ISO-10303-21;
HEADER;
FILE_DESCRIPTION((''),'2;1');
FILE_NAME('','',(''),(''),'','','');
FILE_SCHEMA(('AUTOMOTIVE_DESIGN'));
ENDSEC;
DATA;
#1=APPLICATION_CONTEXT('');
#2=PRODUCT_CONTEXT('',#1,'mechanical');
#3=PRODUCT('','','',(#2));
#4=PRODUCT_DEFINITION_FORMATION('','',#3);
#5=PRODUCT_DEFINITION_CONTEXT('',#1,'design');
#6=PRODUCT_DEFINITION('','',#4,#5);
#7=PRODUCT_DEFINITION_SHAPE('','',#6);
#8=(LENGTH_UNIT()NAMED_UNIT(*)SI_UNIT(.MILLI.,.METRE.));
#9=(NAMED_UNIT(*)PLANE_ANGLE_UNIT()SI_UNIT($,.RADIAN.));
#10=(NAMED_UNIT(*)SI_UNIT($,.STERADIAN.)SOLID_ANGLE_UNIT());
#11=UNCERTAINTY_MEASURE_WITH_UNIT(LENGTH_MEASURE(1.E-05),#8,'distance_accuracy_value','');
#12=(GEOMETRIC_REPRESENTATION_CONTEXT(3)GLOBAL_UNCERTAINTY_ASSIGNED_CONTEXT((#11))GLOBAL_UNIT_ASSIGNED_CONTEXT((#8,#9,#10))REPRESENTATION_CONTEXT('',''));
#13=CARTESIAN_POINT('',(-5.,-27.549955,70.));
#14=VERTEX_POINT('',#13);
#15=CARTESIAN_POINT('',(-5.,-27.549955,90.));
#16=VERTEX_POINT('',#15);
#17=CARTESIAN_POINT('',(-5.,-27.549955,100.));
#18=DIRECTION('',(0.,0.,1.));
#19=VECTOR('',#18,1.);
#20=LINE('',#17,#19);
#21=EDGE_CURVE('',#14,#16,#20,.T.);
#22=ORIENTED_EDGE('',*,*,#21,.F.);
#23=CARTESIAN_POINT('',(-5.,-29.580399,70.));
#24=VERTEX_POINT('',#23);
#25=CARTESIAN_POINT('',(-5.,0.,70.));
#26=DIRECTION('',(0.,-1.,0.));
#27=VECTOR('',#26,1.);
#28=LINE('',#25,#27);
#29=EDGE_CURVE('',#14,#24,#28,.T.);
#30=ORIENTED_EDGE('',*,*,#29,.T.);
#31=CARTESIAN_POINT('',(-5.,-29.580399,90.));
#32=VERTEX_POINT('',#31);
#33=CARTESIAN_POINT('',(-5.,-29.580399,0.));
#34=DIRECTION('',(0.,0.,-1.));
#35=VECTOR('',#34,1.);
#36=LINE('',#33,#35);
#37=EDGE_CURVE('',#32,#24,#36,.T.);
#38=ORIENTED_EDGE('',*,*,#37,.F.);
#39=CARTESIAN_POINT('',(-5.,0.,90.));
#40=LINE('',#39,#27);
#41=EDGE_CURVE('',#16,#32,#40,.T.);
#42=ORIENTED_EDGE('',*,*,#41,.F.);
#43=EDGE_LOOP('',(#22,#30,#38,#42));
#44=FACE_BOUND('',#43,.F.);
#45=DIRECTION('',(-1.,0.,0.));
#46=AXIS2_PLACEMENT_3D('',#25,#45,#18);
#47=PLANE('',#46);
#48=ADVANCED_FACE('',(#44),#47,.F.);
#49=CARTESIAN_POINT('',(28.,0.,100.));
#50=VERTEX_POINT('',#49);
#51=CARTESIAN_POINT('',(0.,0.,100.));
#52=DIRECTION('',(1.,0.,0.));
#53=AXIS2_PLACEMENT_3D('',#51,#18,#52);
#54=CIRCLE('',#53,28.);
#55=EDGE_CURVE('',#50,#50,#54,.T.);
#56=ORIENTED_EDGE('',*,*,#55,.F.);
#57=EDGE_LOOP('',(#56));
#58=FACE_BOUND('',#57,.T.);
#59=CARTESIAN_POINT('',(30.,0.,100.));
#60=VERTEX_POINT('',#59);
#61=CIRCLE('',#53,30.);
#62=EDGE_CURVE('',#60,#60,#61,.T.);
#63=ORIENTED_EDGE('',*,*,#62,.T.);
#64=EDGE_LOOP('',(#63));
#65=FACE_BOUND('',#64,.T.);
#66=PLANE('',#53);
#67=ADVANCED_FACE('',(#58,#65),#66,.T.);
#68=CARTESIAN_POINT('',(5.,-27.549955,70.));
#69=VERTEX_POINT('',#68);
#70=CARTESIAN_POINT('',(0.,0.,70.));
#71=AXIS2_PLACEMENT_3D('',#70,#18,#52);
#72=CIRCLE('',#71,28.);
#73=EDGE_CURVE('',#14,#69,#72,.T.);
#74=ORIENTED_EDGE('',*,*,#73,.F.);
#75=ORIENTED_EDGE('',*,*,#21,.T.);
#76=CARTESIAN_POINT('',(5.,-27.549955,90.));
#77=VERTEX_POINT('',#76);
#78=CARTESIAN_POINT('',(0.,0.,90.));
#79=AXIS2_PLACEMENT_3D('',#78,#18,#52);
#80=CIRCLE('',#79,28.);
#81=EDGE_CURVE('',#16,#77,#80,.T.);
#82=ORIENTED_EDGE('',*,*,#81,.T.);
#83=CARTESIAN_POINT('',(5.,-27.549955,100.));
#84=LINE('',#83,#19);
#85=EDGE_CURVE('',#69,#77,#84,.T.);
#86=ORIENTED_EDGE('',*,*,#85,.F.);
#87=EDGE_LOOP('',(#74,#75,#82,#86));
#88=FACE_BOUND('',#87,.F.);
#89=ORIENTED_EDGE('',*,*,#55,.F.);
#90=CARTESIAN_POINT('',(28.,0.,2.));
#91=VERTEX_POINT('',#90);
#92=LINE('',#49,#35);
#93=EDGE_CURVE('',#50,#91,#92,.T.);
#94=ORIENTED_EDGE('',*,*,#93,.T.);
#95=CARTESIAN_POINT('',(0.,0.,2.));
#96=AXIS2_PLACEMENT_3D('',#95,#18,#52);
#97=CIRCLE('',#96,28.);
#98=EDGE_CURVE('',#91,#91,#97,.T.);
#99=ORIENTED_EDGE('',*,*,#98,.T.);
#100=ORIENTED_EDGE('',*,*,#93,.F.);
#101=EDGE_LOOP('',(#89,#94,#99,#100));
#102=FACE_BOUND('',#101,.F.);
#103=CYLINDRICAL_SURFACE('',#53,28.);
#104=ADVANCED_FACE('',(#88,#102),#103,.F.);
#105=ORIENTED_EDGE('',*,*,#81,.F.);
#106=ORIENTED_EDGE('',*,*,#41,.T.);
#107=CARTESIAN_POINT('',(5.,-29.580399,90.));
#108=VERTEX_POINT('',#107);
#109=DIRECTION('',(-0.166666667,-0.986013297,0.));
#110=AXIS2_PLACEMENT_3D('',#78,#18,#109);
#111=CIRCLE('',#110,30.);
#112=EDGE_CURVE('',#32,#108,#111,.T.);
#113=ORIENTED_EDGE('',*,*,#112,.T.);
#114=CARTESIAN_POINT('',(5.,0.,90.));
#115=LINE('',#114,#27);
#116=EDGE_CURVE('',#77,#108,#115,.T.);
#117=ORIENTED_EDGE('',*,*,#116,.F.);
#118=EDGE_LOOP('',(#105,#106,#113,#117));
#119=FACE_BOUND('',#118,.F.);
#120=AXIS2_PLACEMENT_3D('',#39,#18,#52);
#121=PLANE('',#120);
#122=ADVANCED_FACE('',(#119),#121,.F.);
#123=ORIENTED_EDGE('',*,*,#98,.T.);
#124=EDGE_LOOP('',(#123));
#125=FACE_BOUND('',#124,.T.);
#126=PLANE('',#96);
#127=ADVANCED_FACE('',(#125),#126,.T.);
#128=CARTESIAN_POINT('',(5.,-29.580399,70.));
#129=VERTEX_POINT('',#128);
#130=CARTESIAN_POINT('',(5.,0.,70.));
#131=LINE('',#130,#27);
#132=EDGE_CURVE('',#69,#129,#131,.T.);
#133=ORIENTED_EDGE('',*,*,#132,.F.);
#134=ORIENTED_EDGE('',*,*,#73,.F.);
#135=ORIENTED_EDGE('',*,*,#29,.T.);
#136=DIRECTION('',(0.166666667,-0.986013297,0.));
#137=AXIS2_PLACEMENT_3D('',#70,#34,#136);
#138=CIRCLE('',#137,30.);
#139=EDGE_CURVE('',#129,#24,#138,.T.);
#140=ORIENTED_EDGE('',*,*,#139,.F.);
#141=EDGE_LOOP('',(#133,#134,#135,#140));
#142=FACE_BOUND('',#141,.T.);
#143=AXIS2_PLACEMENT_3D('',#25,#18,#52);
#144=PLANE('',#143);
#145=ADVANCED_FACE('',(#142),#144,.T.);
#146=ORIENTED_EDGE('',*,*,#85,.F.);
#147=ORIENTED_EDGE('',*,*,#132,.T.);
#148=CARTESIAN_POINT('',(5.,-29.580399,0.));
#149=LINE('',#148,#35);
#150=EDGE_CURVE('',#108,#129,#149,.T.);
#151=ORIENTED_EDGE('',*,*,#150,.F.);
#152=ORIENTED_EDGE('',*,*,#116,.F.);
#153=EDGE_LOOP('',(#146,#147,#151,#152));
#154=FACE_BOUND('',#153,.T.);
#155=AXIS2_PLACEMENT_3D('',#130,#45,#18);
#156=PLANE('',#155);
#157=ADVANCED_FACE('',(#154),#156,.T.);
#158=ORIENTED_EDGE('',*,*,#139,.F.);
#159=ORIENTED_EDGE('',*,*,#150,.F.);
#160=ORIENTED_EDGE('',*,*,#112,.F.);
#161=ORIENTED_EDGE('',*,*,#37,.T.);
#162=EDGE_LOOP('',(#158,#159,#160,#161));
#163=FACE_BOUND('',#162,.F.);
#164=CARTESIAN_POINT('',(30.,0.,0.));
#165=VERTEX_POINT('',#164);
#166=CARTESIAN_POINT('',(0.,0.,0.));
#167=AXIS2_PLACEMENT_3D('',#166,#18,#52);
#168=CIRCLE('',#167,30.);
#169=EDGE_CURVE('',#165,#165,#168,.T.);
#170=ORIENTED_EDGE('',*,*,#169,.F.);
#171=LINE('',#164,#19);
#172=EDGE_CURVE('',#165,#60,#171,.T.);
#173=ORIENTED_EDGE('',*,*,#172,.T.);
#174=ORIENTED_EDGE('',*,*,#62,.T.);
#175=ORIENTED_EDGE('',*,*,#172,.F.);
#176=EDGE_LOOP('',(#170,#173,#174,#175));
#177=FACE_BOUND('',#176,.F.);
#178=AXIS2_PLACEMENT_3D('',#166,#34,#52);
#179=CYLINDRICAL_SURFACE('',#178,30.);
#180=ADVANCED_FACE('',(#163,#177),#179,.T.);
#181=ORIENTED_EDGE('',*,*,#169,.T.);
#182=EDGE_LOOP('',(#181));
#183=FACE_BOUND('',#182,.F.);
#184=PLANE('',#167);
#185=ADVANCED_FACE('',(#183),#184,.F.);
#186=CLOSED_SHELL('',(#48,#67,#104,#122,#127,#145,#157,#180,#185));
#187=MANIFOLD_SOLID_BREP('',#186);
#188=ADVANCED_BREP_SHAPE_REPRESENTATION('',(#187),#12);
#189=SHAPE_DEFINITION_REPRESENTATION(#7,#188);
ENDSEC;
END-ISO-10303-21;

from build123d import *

# Parameters (mm, degrees)
F0_R     = 30
F1_DEPTH = 100
F2_R     = 28
F3_DEPTH = 98
F4_W     = 10
F4_H     = 20
F5_DEPTH = 30


with BuildPart() as f1:
    # F0 (on Top) → F1 (new body)
    with BuildSketch(Plane.XY):
        Circle(F0_R)
    extrude(amount=F1_DEPTH)

    # F2 (on face) → F3 (cut)
    with BuildSketch(Plane.XY.offset(100)):
        Circle(F2_R)
    extrude(amount=-F3_DEPTH, mode=Mode.SUBTRACT)

    # F4 (on Front) → F5 (cut)
    with BuildSketch(Plane.XZ):
        with Locations((0, 80)):
            Rectangle(F4_W, F4_H)
    extrude(amount=F5_DEPTH, mode=Mode.SUBTRACT)


solid = f1.part
